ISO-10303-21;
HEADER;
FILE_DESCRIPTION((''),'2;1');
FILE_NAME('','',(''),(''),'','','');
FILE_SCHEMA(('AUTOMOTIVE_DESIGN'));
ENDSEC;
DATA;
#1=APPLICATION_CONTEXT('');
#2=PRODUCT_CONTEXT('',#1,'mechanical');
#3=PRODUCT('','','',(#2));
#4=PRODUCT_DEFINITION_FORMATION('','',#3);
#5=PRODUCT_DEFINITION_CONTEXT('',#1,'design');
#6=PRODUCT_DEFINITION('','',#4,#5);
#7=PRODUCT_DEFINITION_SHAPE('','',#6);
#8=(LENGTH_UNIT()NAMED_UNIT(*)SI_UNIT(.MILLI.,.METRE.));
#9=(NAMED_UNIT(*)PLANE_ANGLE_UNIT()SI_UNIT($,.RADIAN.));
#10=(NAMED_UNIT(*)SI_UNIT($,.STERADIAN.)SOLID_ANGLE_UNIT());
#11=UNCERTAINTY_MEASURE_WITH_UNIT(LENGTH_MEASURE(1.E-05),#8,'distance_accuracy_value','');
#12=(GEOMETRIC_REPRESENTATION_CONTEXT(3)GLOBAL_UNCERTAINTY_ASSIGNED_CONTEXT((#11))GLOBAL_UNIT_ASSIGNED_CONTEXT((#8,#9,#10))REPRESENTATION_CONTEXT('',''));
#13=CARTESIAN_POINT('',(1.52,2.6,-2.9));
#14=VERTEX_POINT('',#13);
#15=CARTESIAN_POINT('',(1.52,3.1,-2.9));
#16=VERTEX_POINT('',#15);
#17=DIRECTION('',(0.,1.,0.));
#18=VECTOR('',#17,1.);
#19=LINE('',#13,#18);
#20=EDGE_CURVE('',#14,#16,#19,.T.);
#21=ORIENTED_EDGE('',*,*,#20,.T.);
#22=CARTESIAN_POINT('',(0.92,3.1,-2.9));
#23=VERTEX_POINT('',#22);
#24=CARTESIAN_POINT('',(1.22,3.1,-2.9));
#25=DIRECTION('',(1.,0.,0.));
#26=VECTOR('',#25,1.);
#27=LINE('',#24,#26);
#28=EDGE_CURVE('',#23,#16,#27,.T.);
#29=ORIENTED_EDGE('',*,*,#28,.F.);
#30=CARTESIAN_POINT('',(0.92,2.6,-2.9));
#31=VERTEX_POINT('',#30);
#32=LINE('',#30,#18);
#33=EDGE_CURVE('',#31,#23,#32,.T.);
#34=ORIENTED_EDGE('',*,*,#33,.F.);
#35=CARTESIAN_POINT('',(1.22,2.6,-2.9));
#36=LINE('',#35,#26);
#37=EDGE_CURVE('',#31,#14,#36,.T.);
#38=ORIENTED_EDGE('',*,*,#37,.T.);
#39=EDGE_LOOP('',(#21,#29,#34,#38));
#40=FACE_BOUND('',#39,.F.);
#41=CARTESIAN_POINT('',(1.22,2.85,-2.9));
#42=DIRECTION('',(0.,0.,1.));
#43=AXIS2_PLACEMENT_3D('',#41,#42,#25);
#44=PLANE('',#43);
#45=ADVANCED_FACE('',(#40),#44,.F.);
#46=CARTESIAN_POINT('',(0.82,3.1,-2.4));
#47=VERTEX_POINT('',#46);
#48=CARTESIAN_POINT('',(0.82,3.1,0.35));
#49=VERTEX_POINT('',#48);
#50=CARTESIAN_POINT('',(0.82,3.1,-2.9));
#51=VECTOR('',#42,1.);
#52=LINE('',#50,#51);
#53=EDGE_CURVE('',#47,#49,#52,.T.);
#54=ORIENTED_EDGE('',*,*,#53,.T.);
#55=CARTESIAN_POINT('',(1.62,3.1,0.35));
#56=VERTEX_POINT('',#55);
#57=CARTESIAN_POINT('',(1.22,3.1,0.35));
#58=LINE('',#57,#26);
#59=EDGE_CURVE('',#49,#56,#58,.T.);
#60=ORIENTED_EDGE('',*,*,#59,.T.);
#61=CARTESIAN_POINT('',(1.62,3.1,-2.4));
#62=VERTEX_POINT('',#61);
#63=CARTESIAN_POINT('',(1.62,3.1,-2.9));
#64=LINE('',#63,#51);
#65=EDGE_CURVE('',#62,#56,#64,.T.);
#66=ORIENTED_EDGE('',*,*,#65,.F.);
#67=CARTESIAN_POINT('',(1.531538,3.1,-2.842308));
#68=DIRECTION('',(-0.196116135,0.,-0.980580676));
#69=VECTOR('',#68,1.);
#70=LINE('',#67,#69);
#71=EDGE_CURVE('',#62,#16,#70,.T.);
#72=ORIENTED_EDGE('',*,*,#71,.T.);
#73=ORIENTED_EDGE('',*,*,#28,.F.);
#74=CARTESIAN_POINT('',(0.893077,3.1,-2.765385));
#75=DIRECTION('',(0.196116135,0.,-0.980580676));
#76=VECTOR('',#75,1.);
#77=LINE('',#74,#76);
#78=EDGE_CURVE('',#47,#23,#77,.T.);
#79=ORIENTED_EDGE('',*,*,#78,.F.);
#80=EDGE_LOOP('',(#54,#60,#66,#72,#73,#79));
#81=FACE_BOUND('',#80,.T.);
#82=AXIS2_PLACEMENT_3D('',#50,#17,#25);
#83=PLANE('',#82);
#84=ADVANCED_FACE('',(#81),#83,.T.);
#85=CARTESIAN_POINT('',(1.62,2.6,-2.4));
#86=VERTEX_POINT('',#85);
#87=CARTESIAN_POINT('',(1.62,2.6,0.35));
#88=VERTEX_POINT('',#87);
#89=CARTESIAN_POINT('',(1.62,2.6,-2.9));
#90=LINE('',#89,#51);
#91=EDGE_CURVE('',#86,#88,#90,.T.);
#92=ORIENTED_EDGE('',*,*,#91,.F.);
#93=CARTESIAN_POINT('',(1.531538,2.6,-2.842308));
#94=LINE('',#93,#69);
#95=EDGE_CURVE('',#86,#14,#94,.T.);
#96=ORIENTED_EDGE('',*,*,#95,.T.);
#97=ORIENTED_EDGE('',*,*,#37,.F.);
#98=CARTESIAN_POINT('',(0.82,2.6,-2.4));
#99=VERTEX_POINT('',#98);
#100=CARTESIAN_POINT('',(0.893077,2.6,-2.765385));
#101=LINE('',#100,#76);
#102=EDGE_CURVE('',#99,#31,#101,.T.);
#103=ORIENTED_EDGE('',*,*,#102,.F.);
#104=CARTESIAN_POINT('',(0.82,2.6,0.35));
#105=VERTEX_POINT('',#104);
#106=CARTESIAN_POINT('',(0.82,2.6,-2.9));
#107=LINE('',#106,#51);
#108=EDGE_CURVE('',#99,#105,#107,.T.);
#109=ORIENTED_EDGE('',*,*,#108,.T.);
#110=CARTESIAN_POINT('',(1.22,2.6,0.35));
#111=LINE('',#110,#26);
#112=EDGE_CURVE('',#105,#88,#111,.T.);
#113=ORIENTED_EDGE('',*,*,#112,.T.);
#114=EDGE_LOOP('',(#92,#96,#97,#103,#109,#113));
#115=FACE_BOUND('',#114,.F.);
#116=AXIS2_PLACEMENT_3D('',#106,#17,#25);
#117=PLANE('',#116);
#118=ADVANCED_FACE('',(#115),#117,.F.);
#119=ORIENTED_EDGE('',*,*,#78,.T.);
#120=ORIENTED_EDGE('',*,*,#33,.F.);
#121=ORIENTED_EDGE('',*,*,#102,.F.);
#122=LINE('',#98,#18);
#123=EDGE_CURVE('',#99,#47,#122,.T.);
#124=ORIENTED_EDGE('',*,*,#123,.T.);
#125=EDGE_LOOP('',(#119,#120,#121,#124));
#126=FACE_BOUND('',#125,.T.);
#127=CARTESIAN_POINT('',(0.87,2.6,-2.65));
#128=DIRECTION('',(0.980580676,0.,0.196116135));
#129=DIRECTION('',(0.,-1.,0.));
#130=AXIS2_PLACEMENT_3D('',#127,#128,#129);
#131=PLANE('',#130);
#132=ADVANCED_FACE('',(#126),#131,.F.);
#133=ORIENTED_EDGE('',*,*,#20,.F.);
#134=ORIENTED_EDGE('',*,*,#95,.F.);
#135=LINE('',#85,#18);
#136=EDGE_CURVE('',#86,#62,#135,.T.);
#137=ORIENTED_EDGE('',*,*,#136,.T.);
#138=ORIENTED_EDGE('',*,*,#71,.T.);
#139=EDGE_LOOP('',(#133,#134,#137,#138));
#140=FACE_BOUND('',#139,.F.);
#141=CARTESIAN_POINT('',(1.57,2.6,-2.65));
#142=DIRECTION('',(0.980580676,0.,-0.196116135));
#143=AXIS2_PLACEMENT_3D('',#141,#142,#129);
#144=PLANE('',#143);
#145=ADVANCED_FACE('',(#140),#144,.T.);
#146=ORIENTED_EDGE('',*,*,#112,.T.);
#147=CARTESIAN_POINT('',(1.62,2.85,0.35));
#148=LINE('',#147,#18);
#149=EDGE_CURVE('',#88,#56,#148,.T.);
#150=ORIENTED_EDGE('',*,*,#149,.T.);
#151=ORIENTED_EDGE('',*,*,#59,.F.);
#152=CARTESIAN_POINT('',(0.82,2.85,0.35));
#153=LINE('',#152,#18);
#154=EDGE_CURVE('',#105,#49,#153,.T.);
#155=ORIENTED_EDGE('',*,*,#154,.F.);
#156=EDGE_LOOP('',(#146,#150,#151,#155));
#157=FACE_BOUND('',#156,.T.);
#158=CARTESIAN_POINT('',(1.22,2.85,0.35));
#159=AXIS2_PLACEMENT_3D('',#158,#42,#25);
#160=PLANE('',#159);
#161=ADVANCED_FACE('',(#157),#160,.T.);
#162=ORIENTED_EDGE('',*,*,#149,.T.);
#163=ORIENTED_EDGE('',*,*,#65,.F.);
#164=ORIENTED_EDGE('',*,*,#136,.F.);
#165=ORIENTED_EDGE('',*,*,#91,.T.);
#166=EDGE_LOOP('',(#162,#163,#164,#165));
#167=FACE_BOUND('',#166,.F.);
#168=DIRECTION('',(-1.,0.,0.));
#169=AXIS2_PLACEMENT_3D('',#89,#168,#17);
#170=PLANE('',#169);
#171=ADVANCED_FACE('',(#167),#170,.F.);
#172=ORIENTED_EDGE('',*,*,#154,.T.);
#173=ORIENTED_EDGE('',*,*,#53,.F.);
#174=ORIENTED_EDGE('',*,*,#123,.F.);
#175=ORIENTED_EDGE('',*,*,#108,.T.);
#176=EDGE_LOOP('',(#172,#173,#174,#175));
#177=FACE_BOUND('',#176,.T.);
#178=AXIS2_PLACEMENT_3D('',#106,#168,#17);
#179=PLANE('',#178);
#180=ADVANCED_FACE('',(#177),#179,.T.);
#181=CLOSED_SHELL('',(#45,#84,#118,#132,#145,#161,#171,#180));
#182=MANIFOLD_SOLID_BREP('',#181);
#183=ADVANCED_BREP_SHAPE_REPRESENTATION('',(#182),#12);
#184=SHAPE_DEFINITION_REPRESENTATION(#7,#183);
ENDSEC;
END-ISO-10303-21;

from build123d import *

# Parameters (mm, degrees)
BOX009_W        = 0.8
BOX009_H        = 0.5
BOX009_DEPTH    = 3.25
CHAMFER_1_SIZE2 = 0.1
CHAMFER_1_SIZE  = 0.5
CHAMFER_2_SIZE2 = 0.1
CHAMFER_2_SIZE  = 0.5


with BuildPart() as part:
    # Box009 → Box009 (new body)
    with BuildSketch(Plane(origin=(0.82, 2.6, -2.9), x_dir=(1, 0, 0), z_dir=(0, 0, 1))):
        with Locations((0.4, 0.25)):
            Rectangle(BOX009_W, BOX009_H)
    extrude(amount=BOX009_DEPTH)

    # Chamfer 1
    chamfer_1_edges = [part.edges().sort_by_distance(p)[0] for p in [
        (1.62, 2.85, -2.9),
    ]]
    chamfer_1_side = part.faces().sort_by_distance((1.62, 2.85, -1.275))[0]
    chamfer(chamfer_1_edges, length=CHAMFER_1_SIZE, length2=CHAMFER_1_SIZE2, reference=chamfer_1_side)

    # Chamfer 2
    chamfer_2_edges = [part.edges().sort_by_distance(p)[0] for p in [
        (0.82, 2.85, -2.9),
    ]]
    chamfer_2_side = part.faces().sort_by_distance((0.82, 2.85, -1.275))[0]
    chamfer(chamfer_2_edges, length=CHAMFER_2_SIZE, length2=CHAMFER_2_SIZE2, reference=chamfer_2_side)


solid = part.part
